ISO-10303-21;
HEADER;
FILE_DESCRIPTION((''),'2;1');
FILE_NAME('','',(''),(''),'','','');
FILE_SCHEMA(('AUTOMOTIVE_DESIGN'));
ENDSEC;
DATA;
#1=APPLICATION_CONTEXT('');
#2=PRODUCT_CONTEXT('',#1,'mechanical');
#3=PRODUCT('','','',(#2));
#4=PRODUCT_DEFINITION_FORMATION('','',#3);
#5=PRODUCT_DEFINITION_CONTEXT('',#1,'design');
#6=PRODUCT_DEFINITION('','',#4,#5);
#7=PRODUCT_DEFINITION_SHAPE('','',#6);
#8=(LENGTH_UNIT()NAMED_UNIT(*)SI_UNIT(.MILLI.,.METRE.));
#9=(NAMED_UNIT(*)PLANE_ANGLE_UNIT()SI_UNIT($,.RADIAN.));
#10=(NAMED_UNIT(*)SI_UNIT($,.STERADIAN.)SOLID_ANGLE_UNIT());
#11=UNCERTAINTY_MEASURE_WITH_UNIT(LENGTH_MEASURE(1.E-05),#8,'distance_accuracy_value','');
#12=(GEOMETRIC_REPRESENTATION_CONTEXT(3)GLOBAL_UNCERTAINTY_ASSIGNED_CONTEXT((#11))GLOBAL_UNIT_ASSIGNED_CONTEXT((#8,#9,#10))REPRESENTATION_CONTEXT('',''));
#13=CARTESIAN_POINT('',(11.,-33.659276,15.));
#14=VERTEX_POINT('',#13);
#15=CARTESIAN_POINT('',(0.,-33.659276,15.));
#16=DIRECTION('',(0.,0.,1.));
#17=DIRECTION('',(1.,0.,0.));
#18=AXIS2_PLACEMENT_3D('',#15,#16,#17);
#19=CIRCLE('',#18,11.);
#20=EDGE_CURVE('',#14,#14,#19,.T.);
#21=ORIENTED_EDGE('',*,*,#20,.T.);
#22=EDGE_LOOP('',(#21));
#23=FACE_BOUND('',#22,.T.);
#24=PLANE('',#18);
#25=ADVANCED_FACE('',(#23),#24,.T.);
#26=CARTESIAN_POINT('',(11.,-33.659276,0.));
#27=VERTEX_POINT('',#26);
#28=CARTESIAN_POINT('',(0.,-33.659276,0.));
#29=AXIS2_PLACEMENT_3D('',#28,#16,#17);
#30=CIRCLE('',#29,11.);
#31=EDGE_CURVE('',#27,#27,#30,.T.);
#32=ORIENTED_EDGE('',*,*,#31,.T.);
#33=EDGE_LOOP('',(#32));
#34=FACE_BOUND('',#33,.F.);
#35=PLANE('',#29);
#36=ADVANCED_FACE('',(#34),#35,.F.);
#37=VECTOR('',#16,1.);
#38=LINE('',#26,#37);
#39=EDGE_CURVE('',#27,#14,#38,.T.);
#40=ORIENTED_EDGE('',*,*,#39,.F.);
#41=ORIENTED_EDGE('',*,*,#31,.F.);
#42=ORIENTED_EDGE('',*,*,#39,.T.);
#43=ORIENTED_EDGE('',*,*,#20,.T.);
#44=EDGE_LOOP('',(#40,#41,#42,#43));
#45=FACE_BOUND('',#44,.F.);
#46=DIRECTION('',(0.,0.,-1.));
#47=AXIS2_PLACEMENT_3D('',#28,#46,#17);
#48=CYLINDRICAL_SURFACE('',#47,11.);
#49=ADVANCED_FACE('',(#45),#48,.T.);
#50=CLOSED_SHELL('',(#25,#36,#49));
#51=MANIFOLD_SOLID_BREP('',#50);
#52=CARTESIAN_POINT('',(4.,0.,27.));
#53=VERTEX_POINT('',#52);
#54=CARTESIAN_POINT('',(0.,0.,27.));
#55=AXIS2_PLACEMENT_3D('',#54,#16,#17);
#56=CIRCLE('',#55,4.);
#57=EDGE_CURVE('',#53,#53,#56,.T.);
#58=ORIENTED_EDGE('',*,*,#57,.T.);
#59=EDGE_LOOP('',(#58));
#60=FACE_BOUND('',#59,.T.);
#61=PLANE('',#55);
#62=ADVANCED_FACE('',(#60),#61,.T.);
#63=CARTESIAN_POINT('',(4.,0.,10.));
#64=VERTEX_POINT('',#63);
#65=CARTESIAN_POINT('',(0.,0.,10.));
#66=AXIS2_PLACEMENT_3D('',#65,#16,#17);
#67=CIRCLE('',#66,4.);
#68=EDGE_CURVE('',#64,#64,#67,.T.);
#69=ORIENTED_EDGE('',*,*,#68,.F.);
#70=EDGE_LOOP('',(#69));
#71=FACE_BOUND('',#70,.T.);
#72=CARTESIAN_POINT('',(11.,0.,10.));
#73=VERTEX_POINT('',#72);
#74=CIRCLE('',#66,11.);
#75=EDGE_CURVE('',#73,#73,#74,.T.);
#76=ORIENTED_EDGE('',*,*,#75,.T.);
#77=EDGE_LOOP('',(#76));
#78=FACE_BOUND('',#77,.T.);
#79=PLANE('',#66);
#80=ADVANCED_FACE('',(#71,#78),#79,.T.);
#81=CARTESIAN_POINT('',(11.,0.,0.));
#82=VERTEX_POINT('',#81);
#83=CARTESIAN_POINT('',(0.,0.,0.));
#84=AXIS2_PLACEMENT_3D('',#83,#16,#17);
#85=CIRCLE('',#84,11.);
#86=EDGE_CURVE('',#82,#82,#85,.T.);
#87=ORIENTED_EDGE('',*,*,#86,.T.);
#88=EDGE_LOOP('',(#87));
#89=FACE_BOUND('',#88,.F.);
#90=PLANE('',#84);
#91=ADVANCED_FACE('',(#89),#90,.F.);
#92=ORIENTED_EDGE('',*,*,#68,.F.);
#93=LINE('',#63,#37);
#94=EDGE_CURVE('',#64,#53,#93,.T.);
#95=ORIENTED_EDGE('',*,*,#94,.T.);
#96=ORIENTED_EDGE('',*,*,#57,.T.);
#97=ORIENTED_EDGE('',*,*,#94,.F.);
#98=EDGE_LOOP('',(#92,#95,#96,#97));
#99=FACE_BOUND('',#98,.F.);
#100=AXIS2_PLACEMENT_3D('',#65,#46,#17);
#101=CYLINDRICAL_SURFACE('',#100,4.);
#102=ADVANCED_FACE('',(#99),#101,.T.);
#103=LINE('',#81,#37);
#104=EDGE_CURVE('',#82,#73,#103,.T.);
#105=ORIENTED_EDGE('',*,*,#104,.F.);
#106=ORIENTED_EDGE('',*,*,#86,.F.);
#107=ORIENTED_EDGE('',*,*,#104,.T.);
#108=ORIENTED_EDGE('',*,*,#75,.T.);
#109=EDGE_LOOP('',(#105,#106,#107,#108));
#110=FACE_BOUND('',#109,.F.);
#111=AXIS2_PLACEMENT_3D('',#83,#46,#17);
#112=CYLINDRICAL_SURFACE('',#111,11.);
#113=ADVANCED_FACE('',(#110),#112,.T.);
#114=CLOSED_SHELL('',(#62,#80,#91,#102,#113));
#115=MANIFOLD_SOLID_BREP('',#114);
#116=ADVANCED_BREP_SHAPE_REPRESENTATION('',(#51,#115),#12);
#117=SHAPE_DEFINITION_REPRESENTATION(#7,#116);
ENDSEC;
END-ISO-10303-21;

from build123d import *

# Parameters (mm, degrees)
F0_R     = 11
F1_DEPTH = 10
F2_R     = 4
F3_DEPTH = 17
F4_R     = 11
F5_DEPTH = 15


with BuildPart() as f1:
    # F0 (on Top) → F1 (new body)
    with BuildSketch(Plane.XY):
        Circle(F0_R)
    extrude(amount=F1_DEPTH)

    # F2 (on face) → F3 (join)
    with BuildSketch(Plane.XY.offset(10)):
        Circle(F2_R)
    extrude(amount=F3_DEPTH)


with BuildPart() as f5:
    # F4 (on Top) → F5 (new body)
    with BuildSketch(Plane.XY):
        with Locations((0, -33.659276)):
            Circle(F4_R)
    extrude(amount=F5_DEPTH)


solid = Compound([f1.part, f5.part])
